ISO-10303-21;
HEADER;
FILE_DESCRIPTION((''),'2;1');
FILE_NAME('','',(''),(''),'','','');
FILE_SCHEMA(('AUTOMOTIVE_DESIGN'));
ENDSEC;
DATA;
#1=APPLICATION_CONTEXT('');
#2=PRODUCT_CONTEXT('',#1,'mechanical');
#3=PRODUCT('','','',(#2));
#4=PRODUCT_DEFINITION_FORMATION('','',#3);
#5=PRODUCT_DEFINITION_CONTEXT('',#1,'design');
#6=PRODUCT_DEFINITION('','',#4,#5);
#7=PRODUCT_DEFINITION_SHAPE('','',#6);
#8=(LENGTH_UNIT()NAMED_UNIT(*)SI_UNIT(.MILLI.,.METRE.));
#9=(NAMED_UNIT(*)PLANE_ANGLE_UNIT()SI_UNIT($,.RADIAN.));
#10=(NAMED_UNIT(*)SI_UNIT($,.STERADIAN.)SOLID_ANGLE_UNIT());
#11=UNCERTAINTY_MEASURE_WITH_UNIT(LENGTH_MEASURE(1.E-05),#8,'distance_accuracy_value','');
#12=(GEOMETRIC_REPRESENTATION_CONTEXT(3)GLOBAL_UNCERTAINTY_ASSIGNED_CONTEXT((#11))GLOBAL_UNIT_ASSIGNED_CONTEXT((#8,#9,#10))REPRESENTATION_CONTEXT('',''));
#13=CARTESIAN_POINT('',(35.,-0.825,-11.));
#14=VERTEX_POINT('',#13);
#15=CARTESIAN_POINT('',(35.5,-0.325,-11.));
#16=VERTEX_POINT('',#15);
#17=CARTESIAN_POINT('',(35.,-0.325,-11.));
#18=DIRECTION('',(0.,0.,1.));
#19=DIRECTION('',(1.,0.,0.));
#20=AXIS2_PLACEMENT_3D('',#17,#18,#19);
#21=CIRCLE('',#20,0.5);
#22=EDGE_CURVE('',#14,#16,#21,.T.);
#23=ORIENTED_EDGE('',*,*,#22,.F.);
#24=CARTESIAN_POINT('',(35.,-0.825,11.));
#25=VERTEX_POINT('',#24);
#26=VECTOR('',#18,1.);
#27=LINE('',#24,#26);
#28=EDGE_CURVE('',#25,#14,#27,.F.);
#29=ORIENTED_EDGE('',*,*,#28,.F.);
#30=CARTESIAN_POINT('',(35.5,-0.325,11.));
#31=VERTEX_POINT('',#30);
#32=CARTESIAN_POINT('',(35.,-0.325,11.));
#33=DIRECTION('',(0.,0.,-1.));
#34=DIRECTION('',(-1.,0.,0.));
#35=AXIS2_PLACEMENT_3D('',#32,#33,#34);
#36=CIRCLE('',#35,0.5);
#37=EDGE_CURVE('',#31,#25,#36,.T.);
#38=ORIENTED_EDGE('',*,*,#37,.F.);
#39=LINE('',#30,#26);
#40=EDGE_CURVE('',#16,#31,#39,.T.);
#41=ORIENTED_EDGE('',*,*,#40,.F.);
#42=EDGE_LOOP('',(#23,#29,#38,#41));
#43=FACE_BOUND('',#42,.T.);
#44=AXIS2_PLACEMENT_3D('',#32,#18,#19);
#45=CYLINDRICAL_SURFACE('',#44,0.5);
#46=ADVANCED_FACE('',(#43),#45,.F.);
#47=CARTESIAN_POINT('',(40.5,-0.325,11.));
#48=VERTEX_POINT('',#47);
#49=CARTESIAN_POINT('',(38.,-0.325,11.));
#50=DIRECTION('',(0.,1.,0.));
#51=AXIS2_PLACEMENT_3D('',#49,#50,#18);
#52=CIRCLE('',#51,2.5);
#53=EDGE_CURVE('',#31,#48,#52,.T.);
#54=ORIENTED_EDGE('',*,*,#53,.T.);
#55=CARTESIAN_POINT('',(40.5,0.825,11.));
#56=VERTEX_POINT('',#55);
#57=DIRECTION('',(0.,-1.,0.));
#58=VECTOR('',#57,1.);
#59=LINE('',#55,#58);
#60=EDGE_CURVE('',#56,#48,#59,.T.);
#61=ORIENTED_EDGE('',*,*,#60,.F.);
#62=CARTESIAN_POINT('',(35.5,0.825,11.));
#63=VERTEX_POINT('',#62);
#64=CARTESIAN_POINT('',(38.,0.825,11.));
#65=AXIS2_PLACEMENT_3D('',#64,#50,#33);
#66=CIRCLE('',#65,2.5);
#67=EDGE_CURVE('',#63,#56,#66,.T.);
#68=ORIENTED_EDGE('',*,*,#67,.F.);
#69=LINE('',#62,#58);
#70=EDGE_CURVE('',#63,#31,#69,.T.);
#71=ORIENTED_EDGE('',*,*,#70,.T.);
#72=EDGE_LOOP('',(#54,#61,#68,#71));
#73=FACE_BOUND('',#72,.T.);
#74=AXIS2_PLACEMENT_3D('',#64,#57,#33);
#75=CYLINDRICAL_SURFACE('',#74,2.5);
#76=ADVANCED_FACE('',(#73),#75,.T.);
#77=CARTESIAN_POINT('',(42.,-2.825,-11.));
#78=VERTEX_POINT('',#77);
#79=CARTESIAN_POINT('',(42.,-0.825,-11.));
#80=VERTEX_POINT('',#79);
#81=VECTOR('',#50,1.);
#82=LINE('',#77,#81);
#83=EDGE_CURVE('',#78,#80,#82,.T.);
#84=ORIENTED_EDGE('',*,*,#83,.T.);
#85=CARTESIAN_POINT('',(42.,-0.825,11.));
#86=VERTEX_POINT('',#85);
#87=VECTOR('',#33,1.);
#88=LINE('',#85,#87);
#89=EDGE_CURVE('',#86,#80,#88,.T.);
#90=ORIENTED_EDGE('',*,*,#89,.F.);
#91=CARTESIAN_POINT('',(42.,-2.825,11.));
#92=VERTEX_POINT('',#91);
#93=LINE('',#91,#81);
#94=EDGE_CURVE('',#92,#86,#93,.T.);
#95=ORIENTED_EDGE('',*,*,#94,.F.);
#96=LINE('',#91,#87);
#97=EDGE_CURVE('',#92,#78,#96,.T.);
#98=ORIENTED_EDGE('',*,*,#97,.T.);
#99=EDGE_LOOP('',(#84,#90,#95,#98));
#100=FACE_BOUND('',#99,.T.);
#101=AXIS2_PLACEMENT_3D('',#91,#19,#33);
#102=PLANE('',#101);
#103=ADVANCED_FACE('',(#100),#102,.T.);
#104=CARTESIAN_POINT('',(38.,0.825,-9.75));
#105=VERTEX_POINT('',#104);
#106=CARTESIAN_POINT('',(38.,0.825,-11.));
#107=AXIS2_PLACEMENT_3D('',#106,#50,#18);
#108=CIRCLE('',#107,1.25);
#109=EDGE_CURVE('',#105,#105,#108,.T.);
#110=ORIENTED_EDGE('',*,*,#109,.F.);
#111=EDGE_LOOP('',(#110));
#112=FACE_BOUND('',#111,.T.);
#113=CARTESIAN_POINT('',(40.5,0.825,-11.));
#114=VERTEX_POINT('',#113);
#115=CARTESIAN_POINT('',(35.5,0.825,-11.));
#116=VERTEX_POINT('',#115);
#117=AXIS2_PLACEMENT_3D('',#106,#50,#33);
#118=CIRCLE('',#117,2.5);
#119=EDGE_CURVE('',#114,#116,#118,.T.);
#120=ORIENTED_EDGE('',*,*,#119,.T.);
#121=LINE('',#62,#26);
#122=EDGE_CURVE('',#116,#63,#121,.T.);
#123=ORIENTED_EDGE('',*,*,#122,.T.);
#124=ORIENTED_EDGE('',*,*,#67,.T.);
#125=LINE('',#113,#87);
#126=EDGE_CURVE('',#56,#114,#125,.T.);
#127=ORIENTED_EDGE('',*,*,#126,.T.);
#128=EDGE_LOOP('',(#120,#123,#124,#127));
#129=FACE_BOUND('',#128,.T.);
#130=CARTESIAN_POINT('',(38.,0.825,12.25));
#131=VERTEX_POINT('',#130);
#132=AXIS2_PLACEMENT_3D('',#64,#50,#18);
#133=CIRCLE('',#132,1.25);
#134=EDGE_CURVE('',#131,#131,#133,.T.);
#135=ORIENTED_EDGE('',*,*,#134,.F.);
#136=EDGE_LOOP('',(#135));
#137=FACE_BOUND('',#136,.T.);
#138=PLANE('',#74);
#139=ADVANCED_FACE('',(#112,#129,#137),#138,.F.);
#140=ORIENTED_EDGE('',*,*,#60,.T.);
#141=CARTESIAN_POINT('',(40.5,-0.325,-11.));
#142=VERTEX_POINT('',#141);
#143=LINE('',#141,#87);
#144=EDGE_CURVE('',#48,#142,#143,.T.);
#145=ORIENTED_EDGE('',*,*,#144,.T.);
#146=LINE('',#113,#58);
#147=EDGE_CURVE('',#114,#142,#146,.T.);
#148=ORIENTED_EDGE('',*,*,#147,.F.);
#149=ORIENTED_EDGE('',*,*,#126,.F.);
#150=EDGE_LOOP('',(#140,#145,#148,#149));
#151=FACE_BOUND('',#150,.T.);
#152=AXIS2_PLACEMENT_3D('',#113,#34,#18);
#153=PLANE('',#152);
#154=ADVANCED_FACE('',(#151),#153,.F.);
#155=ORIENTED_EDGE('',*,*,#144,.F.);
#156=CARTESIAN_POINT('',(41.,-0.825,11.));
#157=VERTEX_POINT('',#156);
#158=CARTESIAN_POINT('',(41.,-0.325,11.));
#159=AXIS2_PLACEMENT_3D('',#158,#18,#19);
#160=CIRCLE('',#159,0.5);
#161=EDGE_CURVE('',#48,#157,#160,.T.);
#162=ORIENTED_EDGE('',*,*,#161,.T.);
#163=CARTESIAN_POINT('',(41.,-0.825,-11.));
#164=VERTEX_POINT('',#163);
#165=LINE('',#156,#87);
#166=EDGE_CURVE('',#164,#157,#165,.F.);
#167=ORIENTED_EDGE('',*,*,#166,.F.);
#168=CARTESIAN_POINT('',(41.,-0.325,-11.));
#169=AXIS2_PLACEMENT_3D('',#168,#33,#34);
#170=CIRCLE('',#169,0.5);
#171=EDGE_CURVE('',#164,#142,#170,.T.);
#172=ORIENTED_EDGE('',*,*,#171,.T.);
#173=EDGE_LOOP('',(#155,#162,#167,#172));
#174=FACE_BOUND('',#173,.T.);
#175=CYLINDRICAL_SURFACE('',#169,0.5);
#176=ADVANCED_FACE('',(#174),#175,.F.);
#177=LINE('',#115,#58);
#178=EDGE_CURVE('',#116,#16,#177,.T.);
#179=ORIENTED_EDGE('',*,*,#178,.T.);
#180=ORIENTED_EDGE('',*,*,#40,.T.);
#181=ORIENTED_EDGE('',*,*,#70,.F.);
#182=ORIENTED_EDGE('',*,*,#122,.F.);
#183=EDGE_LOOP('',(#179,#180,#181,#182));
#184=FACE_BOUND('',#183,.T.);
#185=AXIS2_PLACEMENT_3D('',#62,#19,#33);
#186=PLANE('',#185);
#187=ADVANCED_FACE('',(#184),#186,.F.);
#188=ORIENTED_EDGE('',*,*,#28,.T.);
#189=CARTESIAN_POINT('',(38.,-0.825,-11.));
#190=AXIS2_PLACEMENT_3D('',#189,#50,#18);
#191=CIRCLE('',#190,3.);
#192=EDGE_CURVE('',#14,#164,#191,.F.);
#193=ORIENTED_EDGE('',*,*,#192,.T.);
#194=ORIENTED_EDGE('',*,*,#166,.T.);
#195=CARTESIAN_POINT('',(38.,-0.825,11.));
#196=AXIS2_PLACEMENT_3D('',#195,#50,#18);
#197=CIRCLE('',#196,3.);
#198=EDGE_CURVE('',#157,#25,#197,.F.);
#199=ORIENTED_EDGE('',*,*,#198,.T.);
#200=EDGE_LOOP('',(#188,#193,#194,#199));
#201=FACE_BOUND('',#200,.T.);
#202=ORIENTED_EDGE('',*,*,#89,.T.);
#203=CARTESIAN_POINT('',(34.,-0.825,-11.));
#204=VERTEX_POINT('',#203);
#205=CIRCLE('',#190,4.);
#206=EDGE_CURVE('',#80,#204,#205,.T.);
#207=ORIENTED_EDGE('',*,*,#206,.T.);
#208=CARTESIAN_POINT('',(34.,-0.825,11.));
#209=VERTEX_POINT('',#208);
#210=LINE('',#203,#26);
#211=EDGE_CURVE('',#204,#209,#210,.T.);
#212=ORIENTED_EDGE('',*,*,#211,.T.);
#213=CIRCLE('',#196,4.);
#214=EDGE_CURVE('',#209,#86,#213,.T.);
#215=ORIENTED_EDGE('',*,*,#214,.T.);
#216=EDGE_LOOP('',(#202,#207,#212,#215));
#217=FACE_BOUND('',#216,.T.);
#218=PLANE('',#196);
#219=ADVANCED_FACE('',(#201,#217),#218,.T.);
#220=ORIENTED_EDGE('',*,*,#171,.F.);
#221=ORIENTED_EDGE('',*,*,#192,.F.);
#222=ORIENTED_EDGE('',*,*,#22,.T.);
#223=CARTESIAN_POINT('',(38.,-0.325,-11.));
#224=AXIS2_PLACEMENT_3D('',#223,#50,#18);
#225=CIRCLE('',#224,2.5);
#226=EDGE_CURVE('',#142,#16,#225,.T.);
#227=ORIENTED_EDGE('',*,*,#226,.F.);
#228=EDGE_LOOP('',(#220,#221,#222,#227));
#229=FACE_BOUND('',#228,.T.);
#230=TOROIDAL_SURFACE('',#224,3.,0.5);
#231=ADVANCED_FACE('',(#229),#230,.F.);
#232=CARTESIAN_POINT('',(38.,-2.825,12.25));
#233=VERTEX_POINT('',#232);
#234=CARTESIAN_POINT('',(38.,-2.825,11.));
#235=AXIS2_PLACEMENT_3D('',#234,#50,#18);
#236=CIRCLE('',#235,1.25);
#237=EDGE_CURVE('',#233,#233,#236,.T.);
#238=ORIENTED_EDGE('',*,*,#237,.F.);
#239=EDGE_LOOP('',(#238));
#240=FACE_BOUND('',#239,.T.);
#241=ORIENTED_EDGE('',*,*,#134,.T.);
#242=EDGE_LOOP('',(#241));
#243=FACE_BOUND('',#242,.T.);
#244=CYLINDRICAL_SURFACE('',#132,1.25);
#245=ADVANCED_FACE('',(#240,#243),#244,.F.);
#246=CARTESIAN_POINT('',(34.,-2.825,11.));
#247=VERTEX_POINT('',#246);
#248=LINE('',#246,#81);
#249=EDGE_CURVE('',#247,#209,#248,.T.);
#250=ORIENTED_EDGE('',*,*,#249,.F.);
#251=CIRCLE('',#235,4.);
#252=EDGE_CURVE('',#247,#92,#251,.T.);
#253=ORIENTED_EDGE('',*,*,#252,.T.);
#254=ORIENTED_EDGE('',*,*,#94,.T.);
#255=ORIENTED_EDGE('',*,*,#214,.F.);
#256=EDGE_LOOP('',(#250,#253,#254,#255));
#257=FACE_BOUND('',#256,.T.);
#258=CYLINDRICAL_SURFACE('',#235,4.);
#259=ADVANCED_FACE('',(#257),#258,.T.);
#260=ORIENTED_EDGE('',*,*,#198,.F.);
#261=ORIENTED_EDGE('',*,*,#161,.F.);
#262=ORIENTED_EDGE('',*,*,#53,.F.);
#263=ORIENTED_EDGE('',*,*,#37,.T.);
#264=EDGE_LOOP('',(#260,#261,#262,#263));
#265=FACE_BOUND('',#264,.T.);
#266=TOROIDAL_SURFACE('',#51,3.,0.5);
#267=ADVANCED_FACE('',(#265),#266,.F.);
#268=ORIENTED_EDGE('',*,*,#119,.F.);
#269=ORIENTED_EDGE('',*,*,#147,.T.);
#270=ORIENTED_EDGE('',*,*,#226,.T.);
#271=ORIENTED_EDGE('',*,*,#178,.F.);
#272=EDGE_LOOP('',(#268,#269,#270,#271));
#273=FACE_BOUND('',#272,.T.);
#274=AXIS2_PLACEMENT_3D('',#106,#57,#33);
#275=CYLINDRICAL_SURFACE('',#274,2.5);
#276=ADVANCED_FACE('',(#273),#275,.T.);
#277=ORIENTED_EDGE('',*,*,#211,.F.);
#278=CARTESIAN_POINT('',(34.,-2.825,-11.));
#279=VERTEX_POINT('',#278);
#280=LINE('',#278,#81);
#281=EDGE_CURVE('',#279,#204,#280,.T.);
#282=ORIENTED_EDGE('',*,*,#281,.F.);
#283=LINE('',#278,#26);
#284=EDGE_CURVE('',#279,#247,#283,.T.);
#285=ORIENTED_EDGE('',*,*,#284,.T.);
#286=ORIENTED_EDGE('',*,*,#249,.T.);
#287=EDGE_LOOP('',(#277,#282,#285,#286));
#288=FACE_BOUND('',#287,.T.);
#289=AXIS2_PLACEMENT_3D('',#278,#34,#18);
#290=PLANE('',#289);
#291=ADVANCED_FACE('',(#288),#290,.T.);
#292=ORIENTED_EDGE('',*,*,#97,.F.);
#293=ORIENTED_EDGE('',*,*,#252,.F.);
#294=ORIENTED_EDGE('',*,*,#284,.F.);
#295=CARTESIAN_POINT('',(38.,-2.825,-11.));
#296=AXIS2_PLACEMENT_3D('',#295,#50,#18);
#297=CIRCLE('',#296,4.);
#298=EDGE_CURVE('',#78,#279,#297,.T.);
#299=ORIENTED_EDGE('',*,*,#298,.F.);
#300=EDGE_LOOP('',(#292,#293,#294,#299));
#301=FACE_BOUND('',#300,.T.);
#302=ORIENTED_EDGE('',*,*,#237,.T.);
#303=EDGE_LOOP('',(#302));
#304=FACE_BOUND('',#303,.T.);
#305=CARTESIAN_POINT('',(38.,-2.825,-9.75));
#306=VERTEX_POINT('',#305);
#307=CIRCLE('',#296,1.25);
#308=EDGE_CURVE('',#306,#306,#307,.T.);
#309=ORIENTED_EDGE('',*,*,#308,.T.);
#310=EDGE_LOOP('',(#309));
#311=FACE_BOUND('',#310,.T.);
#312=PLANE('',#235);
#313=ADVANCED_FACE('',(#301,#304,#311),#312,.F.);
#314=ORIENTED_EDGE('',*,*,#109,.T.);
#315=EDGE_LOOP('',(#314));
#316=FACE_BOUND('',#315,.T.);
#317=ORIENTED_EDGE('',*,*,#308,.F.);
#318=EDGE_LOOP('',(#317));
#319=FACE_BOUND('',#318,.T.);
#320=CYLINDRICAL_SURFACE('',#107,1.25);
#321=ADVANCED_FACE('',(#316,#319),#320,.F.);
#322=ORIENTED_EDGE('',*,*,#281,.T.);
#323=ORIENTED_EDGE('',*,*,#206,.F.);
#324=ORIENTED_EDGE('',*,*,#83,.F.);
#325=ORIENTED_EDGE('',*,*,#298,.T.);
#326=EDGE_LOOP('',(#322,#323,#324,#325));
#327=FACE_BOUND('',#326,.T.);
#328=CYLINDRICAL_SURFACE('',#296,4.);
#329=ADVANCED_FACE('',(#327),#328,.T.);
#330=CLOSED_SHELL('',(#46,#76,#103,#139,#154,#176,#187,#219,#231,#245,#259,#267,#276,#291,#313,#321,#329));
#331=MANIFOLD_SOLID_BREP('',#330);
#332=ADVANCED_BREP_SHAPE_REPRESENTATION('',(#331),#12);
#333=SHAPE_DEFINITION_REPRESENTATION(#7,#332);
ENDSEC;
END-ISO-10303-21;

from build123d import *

# Parameters (mm, degrees)
BOSS_EXTRUDE1_DEPTH            = 2
BOSS_EXTRUDE2_DEPTH            = 1.65
F_2_5_2_5_DIAMETER_HOLE1_D     = 2.5
F_2_5_2_5_DIAMETER_HOLE1_DEPTH = 3.65
FILLET1_R                      = 0.5


with BuildPart() as part:
    # Sketch1 → Boss-Extrude1 (new body)
    with BuildSketch(Plane(origin=(0, -0.825, 0), x_dir=(1, 0, 0), z_dir=(0, 1, 0))):
        with BuildLine():
            Line((42, -11), (42, 11))
            ThreePointArc((42, 11), (38, 15), (34, 11))
            Line((34, 11), (34, -11))
            ThreePointArc((34, -11), (38, -15), (42, -11))
        make_face()
    extrude(amount=-BOSS_EXTRUDE1_DEPTH)

    # Sketch2 → Boss-Extrude2 (add)
    with BuildSketch(Plane(origin=(0, -0.825, 0), x_dir=(-1, 0, 0), z_dir=(0, 1, 0))):
        with BuildLine():
            Line((-35.5, 11), (-35.5, -11))
            ThreePointArc((-35.5, -11), (-38, -13.5), (-40.5, -11))
            Line((-40.5, -11), (-40.5, 11))
            ThreePointArc((-40.5, 11), (-38, 13.5), (-35.5, 11))
        make_face()
    extrude(amount=BOSS_EXTRUDE2_DEPTH)

    # Ø2.5 (2.5) Diameter Hole1
    with Locations(Plane(origin=(0, 0.825, 0), x_dir=(1, 0, 0), z_dir=(0, 1, 0))):
        with Locations((38, -11), (38, 11)):
            Hole(F_2_5_2_5_DIAMETER_HOLE1_D / 2, depth=F_2_5_2_5_DIAMETER_HOLE1_DEPTH)

    # Fillet1
    fillet1_edges = [part.edges().sort_by_distance(p)[0] for p in [
        (38, -0.825, 13.5),
        (40.5, -0.825, 0),
        (38, -0.825, -13.5),
        (35.5, -0.825, 0),
    ]]
    fillet(fillet1_edges, radius=FILLET1_R)


solid = part.part
